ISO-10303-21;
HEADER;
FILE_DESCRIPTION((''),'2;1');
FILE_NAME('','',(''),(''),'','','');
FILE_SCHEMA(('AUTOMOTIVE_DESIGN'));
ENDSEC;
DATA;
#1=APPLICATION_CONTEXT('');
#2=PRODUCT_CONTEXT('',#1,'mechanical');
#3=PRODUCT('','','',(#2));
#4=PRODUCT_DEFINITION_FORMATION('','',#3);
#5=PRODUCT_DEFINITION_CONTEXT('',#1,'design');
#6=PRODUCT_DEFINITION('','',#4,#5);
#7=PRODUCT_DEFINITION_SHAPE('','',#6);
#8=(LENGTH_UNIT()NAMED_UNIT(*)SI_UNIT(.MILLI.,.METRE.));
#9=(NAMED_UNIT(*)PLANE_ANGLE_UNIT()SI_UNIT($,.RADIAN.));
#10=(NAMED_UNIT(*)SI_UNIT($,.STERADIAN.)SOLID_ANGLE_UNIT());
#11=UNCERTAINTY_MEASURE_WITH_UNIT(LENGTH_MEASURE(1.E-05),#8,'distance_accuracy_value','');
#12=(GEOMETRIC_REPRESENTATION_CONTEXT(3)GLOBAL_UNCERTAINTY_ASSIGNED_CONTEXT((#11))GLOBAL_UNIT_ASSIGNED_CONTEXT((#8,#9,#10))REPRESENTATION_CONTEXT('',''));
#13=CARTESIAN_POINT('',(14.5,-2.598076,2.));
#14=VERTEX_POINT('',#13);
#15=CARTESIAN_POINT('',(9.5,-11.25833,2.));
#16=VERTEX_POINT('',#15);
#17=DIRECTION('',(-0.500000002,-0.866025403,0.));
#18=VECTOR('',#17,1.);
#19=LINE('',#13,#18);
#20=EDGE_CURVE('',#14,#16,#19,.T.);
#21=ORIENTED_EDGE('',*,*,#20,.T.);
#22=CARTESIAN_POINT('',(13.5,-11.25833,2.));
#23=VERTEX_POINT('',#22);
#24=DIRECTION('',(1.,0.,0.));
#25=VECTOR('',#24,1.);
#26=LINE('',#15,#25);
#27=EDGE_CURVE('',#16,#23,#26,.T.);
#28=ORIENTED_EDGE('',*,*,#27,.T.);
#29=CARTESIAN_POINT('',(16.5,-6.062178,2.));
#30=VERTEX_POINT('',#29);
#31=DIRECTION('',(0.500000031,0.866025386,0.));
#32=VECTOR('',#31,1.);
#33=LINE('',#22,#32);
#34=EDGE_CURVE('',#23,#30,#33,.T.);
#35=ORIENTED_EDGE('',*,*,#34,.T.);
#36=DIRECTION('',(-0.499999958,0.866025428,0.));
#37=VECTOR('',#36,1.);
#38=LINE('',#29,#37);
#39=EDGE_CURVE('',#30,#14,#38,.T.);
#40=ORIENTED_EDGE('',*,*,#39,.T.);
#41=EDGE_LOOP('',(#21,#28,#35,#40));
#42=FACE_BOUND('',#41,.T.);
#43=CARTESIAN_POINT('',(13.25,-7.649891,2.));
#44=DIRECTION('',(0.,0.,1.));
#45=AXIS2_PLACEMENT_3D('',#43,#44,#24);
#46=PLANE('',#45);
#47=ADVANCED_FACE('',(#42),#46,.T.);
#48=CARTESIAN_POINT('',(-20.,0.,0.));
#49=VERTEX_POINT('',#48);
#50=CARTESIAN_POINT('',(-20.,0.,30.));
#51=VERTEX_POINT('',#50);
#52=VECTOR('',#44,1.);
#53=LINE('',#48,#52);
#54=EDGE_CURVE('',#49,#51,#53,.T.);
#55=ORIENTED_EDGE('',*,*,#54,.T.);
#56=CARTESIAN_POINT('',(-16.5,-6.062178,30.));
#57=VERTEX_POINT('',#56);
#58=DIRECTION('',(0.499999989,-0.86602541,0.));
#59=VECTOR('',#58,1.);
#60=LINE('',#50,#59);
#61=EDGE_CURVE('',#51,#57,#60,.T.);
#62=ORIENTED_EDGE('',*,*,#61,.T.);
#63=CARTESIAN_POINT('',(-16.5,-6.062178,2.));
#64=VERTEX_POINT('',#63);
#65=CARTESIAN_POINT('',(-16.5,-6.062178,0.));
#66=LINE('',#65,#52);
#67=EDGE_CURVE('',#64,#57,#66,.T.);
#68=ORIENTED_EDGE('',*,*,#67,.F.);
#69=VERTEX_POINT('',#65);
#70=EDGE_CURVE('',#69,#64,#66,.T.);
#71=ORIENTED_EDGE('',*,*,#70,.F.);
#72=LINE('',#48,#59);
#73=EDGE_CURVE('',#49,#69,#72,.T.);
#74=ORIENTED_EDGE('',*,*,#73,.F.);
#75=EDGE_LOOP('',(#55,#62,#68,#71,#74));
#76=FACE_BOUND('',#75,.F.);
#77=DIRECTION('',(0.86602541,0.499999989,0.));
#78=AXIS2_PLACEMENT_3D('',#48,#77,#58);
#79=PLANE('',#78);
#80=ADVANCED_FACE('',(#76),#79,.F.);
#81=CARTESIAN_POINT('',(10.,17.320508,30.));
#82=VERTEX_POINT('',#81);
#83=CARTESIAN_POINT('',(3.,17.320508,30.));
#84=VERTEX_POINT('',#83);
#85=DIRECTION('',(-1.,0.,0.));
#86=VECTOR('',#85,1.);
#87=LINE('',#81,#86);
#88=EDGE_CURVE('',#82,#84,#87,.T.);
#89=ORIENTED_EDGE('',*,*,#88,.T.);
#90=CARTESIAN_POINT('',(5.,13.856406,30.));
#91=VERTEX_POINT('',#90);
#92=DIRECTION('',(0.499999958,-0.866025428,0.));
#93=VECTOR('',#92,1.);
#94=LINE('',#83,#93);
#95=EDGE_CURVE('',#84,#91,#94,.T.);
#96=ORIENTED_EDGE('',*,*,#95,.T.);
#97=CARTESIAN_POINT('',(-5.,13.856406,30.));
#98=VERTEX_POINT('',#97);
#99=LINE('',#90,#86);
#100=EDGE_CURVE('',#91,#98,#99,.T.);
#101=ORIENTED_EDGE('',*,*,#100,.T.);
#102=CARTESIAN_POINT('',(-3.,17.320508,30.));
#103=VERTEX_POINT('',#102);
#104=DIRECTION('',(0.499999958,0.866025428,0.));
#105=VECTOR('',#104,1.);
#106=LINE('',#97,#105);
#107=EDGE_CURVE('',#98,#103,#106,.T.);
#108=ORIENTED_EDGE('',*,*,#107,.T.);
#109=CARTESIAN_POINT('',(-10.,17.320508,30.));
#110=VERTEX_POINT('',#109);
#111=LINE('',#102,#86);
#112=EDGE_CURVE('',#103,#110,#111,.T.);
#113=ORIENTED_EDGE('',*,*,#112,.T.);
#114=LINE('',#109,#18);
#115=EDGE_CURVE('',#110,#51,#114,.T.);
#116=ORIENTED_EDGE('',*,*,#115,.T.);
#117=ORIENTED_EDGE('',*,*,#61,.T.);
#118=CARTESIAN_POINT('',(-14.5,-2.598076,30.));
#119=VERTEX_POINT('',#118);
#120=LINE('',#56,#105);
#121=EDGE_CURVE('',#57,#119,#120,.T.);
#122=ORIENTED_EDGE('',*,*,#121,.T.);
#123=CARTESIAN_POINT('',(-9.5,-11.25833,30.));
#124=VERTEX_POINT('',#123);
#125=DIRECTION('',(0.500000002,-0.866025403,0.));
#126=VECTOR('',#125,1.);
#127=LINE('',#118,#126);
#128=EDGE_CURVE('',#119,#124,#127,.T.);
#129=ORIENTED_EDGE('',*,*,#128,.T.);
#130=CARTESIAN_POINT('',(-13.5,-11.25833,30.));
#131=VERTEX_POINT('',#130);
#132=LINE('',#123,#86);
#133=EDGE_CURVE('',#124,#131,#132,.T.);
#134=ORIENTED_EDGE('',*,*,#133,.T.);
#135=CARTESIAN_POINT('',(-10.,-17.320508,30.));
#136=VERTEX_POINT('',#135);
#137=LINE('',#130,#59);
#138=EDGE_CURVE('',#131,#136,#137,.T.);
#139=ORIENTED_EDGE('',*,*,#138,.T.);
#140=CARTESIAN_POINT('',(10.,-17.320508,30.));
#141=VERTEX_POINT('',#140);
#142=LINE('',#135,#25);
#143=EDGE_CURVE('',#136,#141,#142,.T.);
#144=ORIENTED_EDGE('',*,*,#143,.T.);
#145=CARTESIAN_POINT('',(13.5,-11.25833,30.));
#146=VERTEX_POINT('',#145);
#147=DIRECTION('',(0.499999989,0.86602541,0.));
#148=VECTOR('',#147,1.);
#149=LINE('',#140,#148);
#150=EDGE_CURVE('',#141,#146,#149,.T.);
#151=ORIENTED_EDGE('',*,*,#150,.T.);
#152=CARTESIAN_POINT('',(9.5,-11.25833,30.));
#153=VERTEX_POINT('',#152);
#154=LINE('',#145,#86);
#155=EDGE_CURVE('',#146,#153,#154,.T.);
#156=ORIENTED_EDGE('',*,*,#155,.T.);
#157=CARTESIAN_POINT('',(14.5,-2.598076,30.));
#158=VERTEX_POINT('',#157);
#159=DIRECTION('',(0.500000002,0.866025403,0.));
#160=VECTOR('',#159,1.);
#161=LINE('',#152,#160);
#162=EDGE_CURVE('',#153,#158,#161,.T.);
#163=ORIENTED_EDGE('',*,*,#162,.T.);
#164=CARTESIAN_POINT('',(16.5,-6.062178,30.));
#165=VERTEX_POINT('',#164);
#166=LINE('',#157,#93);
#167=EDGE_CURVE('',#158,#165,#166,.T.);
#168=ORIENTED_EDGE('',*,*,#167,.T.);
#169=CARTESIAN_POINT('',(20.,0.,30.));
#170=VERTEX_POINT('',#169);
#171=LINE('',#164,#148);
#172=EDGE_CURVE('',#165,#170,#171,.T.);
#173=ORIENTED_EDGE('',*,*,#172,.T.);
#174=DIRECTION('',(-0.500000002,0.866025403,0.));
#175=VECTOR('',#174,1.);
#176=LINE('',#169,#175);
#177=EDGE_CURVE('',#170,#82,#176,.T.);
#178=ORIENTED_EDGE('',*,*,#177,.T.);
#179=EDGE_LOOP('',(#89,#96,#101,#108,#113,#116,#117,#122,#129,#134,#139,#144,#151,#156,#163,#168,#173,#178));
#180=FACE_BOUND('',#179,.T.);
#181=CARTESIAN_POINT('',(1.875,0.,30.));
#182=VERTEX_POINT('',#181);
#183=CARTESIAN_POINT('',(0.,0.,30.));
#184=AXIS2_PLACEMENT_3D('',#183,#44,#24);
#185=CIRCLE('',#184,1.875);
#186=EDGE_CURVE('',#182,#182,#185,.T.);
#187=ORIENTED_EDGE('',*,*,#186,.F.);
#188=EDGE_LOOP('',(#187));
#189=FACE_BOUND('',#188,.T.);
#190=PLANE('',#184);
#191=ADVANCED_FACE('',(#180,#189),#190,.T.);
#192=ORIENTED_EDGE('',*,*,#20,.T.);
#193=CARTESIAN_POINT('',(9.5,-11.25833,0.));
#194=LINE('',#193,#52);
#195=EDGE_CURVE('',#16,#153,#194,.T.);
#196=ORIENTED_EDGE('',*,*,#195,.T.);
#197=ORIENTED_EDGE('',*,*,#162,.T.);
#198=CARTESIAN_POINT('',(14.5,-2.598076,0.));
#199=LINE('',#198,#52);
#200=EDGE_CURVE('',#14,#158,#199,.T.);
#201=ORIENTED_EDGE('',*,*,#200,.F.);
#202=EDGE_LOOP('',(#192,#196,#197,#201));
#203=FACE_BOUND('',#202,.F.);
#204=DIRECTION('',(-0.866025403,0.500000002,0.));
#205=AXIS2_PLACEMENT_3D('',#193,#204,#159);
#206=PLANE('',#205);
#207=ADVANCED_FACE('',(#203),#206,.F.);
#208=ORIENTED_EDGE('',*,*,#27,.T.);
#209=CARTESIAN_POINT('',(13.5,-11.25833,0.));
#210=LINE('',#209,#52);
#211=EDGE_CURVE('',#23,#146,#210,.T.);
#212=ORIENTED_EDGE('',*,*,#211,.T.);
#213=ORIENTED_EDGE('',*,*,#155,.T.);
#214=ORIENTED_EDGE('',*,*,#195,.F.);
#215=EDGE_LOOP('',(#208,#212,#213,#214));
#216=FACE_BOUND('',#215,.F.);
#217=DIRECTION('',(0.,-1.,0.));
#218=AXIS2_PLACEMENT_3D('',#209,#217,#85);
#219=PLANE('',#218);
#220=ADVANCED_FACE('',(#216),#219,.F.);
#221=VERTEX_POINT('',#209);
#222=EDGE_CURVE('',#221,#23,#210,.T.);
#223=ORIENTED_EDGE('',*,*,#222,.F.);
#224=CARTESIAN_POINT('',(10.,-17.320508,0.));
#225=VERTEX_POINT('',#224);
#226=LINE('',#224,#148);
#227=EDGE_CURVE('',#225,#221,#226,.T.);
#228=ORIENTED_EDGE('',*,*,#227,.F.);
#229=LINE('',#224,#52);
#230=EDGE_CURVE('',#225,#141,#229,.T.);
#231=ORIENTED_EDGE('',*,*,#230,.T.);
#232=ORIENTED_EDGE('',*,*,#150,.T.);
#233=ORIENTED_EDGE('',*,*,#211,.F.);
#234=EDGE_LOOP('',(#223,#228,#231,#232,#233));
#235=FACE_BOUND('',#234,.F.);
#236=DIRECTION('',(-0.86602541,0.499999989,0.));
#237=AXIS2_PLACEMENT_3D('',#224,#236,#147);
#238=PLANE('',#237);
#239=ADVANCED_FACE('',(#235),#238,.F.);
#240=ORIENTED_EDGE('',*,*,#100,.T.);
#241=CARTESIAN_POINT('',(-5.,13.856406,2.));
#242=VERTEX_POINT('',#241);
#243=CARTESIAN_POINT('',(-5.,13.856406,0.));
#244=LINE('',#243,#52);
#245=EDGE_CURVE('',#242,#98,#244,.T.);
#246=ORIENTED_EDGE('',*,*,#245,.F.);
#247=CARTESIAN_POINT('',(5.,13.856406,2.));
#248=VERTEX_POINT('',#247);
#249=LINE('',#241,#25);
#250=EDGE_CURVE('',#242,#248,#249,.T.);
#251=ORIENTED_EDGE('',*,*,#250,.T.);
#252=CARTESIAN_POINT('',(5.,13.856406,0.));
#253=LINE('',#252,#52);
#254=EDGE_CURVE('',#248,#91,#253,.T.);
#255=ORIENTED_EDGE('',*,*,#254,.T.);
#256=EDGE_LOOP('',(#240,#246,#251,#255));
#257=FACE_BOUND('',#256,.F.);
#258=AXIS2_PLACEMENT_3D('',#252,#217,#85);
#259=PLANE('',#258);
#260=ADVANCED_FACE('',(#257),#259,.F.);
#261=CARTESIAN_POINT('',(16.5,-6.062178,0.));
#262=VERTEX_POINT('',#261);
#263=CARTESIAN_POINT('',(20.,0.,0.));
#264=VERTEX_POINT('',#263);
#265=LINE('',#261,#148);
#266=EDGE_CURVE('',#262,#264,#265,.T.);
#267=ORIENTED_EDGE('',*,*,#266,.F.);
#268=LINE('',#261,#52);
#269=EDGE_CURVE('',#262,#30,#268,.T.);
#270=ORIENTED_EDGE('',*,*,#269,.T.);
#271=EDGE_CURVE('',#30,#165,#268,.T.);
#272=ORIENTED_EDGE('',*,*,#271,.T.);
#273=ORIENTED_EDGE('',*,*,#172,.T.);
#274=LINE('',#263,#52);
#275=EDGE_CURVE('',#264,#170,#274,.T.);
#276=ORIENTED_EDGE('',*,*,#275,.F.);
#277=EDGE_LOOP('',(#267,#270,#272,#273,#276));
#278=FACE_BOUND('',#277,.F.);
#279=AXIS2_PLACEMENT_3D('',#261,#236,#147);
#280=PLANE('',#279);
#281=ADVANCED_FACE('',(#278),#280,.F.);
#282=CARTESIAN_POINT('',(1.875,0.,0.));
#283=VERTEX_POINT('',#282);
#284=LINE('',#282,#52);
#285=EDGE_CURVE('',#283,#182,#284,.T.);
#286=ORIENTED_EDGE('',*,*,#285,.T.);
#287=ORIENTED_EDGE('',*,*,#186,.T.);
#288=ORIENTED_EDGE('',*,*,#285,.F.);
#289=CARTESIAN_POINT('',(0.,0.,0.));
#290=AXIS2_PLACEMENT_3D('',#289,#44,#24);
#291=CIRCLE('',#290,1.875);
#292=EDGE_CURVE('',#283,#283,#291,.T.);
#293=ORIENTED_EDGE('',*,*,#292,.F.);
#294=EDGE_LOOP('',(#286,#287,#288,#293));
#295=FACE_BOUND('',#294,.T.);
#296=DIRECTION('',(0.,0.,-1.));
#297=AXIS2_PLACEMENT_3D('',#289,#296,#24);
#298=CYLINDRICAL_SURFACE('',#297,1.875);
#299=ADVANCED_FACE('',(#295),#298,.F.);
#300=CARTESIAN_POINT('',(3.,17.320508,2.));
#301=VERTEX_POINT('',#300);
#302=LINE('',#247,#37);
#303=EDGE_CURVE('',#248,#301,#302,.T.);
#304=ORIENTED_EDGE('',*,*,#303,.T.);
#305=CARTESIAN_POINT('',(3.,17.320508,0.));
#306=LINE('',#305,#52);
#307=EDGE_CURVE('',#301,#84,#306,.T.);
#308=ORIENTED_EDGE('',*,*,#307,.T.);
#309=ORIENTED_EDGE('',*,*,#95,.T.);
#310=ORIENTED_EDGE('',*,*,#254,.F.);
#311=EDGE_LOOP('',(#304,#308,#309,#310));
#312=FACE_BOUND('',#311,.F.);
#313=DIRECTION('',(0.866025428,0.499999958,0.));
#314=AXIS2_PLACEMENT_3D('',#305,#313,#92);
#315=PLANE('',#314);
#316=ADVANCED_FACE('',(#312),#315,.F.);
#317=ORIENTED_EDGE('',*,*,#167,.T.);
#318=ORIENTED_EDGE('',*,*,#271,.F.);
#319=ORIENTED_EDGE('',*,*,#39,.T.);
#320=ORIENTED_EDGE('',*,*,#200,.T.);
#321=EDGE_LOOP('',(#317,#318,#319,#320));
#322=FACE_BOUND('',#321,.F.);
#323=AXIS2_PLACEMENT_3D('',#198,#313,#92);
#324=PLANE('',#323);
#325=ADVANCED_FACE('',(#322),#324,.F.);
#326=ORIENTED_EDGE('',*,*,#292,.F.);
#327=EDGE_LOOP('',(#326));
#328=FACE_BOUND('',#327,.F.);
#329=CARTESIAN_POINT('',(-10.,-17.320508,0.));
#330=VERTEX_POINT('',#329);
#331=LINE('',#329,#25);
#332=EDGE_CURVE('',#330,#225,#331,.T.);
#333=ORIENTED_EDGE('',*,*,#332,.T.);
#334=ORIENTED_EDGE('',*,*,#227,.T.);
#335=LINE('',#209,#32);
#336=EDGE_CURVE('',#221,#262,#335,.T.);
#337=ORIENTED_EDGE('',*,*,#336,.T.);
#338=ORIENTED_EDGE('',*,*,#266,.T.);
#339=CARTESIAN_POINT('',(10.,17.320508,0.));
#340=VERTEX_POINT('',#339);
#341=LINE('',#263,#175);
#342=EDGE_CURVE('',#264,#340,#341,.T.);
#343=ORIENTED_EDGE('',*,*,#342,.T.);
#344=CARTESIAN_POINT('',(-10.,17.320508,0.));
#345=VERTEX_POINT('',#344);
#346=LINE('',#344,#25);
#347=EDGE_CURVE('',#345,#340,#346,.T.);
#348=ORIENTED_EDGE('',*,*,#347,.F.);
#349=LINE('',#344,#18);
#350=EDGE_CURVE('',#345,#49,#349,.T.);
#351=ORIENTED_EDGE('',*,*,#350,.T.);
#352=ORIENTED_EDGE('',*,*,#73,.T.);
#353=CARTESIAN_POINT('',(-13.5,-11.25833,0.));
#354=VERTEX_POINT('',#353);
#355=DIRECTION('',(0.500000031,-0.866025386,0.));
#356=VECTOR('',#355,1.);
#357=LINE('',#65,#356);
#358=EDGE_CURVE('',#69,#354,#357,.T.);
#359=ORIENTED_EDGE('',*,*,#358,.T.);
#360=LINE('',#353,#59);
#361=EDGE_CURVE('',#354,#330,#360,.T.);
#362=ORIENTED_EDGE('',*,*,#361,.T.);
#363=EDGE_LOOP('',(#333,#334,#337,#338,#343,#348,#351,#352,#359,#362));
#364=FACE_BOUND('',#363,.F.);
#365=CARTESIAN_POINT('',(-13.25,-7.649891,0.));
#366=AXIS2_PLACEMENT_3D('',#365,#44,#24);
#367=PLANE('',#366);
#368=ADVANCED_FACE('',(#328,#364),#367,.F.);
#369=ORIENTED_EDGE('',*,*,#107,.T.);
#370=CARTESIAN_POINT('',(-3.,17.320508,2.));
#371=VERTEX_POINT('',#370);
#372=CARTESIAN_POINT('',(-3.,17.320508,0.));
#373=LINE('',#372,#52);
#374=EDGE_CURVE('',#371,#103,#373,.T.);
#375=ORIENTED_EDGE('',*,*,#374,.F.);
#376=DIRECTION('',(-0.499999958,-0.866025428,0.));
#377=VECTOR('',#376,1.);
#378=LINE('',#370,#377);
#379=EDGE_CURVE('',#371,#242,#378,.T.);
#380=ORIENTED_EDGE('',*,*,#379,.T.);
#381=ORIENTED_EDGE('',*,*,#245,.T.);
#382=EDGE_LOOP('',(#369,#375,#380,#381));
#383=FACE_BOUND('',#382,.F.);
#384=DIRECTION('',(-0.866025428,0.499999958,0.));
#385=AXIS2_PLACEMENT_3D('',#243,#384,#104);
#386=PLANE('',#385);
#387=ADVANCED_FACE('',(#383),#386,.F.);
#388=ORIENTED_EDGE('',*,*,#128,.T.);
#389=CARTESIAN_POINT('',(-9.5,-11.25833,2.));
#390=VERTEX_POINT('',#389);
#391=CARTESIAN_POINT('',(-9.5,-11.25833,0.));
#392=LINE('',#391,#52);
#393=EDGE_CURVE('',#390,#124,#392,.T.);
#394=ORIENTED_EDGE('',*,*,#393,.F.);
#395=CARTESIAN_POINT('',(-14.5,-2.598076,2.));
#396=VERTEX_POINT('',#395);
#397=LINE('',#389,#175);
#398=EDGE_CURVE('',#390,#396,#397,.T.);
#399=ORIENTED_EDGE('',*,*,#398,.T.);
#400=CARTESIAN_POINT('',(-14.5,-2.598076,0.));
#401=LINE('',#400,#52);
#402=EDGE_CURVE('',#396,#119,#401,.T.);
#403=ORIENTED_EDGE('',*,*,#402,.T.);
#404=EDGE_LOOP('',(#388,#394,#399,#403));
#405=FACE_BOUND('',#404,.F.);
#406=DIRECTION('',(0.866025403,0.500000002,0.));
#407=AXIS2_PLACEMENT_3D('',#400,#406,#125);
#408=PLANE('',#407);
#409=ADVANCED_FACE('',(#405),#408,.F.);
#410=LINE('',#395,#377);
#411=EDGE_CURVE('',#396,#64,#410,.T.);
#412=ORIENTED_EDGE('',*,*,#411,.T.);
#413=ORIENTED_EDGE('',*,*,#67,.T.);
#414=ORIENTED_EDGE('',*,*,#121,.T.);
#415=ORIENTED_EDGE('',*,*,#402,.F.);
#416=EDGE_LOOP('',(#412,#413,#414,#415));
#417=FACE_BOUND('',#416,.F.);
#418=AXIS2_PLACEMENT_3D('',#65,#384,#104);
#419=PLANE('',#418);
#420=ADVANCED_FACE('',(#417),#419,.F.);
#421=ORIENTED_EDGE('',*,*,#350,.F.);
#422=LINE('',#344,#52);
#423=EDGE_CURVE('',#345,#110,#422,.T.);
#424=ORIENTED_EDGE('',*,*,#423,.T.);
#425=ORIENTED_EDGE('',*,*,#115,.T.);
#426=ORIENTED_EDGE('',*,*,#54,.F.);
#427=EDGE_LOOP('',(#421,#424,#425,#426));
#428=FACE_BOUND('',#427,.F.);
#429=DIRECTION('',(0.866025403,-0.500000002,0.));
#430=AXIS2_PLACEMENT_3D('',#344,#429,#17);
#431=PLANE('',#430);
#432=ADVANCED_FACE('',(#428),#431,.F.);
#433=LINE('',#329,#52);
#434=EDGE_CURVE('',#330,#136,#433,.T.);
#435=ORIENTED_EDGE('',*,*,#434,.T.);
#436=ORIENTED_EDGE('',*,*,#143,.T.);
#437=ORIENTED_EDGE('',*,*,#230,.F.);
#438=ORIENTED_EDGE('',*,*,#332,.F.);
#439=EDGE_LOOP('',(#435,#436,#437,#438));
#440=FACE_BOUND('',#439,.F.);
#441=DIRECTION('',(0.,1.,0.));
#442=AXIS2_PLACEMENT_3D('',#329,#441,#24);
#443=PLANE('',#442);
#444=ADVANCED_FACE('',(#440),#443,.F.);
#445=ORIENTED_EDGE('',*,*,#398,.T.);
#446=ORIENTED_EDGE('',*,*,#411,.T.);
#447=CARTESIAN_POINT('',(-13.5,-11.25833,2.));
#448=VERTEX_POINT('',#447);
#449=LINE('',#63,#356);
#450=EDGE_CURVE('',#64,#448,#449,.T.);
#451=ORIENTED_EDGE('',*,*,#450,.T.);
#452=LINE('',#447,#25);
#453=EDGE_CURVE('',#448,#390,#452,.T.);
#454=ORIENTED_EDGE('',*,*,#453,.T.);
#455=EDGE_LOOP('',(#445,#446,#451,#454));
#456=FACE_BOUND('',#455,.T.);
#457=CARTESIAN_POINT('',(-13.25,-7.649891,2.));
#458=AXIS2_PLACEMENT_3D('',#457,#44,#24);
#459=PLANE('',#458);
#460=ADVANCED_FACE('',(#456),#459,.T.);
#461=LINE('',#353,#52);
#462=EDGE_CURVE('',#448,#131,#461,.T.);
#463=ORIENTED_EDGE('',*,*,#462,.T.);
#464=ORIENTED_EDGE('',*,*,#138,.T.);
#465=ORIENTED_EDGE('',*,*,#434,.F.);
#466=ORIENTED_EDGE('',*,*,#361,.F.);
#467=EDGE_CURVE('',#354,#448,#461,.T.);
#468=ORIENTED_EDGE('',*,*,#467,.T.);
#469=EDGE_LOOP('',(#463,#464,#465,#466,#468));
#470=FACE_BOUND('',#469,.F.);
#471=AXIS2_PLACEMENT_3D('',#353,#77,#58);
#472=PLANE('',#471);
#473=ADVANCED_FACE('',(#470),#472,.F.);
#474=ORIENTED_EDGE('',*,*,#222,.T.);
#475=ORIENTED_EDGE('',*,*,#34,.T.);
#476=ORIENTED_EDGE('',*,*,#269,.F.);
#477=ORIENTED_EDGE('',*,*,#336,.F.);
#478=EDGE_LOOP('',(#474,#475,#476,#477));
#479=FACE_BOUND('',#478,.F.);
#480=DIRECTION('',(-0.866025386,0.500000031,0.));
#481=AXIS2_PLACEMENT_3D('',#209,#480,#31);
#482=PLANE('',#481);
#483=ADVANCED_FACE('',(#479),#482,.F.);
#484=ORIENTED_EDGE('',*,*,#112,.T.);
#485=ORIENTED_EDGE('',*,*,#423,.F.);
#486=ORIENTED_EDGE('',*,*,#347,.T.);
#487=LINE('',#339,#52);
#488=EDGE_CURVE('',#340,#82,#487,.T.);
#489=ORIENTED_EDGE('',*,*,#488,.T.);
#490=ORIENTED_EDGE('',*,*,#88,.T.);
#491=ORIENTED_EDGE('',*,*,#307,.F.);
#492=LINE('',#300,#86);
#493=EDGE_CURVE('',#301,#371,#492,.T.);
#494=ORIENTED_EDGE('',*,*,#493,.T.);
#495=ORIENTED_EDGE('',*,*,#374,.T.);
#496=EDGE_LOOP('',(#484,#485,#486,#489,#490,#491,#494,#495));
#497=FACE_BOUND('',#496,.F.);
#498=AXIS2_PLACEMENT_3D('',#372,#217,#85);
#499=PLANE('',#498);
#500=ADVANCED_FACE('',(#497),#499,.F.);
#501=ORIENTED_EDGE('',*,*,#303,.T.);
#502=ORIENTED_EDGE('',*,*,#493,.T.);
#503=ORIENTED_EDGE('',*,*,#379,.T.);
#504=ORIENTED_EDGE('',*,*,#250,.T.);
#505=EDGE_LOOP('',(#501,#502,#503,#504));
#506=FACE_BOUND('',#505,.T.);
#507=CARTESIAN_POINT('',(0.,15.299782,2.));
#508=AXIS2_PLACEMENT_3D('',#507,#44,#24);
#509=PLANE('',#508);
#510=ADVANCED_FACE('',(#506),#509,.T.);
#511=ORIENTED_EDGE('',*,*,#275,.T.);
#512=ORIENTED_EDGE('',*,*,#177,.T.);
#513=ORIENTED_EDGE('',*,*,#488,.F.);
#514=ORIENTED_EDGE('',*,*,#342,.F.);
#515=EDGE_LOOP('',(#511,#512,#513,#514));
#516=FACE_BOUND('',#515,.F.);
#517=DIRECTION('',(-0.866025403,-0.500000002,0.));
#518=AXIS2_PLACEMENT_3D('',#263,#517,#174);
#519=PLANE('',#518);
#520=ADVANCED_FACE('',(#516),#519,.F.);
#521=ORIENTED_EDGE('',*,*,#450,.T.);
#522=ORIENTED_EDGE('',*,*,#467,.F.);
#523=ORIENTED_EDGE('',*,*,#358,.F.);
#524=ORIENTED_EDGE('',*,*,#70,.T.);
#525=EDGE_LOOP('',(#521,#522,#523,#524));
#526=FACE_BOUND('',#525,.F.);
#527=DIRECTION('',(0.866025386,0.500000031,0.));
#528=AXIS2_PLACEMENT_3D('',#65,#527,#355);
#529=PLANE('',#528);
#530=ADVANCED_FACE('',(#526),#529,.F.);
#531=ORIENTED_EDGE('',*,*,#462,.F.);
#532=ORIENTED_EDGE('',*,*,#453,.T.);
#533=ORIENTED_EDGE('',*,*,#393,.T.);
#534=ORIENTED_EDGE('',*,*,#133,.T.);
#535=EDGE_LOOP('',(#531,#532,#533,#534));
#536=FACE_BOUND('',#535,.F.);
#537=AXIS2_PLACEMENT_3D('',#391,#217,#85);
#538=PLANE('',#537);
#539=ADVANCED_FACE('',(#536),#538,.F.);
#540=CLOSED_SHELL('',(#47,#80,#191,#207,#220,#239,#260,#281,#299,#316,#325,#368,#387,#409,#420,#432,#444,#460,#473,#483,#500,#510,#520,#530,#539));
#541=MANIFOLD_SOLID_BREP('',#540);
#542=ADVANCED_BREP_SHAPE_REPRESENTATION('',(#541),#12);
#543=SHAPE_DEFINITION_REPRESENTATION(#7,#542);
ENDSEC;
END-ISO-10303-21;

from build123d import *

# Parameters (mm, degrees)
F0_R     = 1.875
F1_DEPTH = 30
F2_DEPTH = 2


with BuildPart() as f1:
    # F0 (on Top) → F1 (new body)
    with BuildSketch(Plane.XY):
        Polygon((16.5, -6.062178), (20, 0), (10, 17.320508), (3, 17.320508), (5, 13.856406), (-5, 13.856406), (-3, 17.320508), (-10, 17.320508), (-20, 0), (-16.5, -6.062178), (-14.5, -2.598076), (-9.5, -11.25833), (-13.5, -11.25833), (-10, -17.320508), (10, -17.320508), (13.5, -11.25833), (9.5, -11.25833), (14.5, -2.598076), align=None)
        Circle(F0_R, mode=Mode.SUBTRACT)
    extrude(amount=F1_DEPTH)

    # F0 (on Top) → F2 (join)
    with BuildSketch(Plane.XY):
        Polygon((-16.5, -6.062178), (-13.5, -11.25833), (-9.5, -11.25833), (-14.5, -2.598076), align=None)
        Polygon((13.5, -11.25833), (16.5, -6.062178), (14.5, -2.598076), (9.5, -11.25833), align=None)
        Polygon((5, 13.856406), (3, 17.320508), (-3, 17.320508), (-5, 13.856406), align=None)
    extrude(amount=F2_DEPTH)


solid = f1.part
